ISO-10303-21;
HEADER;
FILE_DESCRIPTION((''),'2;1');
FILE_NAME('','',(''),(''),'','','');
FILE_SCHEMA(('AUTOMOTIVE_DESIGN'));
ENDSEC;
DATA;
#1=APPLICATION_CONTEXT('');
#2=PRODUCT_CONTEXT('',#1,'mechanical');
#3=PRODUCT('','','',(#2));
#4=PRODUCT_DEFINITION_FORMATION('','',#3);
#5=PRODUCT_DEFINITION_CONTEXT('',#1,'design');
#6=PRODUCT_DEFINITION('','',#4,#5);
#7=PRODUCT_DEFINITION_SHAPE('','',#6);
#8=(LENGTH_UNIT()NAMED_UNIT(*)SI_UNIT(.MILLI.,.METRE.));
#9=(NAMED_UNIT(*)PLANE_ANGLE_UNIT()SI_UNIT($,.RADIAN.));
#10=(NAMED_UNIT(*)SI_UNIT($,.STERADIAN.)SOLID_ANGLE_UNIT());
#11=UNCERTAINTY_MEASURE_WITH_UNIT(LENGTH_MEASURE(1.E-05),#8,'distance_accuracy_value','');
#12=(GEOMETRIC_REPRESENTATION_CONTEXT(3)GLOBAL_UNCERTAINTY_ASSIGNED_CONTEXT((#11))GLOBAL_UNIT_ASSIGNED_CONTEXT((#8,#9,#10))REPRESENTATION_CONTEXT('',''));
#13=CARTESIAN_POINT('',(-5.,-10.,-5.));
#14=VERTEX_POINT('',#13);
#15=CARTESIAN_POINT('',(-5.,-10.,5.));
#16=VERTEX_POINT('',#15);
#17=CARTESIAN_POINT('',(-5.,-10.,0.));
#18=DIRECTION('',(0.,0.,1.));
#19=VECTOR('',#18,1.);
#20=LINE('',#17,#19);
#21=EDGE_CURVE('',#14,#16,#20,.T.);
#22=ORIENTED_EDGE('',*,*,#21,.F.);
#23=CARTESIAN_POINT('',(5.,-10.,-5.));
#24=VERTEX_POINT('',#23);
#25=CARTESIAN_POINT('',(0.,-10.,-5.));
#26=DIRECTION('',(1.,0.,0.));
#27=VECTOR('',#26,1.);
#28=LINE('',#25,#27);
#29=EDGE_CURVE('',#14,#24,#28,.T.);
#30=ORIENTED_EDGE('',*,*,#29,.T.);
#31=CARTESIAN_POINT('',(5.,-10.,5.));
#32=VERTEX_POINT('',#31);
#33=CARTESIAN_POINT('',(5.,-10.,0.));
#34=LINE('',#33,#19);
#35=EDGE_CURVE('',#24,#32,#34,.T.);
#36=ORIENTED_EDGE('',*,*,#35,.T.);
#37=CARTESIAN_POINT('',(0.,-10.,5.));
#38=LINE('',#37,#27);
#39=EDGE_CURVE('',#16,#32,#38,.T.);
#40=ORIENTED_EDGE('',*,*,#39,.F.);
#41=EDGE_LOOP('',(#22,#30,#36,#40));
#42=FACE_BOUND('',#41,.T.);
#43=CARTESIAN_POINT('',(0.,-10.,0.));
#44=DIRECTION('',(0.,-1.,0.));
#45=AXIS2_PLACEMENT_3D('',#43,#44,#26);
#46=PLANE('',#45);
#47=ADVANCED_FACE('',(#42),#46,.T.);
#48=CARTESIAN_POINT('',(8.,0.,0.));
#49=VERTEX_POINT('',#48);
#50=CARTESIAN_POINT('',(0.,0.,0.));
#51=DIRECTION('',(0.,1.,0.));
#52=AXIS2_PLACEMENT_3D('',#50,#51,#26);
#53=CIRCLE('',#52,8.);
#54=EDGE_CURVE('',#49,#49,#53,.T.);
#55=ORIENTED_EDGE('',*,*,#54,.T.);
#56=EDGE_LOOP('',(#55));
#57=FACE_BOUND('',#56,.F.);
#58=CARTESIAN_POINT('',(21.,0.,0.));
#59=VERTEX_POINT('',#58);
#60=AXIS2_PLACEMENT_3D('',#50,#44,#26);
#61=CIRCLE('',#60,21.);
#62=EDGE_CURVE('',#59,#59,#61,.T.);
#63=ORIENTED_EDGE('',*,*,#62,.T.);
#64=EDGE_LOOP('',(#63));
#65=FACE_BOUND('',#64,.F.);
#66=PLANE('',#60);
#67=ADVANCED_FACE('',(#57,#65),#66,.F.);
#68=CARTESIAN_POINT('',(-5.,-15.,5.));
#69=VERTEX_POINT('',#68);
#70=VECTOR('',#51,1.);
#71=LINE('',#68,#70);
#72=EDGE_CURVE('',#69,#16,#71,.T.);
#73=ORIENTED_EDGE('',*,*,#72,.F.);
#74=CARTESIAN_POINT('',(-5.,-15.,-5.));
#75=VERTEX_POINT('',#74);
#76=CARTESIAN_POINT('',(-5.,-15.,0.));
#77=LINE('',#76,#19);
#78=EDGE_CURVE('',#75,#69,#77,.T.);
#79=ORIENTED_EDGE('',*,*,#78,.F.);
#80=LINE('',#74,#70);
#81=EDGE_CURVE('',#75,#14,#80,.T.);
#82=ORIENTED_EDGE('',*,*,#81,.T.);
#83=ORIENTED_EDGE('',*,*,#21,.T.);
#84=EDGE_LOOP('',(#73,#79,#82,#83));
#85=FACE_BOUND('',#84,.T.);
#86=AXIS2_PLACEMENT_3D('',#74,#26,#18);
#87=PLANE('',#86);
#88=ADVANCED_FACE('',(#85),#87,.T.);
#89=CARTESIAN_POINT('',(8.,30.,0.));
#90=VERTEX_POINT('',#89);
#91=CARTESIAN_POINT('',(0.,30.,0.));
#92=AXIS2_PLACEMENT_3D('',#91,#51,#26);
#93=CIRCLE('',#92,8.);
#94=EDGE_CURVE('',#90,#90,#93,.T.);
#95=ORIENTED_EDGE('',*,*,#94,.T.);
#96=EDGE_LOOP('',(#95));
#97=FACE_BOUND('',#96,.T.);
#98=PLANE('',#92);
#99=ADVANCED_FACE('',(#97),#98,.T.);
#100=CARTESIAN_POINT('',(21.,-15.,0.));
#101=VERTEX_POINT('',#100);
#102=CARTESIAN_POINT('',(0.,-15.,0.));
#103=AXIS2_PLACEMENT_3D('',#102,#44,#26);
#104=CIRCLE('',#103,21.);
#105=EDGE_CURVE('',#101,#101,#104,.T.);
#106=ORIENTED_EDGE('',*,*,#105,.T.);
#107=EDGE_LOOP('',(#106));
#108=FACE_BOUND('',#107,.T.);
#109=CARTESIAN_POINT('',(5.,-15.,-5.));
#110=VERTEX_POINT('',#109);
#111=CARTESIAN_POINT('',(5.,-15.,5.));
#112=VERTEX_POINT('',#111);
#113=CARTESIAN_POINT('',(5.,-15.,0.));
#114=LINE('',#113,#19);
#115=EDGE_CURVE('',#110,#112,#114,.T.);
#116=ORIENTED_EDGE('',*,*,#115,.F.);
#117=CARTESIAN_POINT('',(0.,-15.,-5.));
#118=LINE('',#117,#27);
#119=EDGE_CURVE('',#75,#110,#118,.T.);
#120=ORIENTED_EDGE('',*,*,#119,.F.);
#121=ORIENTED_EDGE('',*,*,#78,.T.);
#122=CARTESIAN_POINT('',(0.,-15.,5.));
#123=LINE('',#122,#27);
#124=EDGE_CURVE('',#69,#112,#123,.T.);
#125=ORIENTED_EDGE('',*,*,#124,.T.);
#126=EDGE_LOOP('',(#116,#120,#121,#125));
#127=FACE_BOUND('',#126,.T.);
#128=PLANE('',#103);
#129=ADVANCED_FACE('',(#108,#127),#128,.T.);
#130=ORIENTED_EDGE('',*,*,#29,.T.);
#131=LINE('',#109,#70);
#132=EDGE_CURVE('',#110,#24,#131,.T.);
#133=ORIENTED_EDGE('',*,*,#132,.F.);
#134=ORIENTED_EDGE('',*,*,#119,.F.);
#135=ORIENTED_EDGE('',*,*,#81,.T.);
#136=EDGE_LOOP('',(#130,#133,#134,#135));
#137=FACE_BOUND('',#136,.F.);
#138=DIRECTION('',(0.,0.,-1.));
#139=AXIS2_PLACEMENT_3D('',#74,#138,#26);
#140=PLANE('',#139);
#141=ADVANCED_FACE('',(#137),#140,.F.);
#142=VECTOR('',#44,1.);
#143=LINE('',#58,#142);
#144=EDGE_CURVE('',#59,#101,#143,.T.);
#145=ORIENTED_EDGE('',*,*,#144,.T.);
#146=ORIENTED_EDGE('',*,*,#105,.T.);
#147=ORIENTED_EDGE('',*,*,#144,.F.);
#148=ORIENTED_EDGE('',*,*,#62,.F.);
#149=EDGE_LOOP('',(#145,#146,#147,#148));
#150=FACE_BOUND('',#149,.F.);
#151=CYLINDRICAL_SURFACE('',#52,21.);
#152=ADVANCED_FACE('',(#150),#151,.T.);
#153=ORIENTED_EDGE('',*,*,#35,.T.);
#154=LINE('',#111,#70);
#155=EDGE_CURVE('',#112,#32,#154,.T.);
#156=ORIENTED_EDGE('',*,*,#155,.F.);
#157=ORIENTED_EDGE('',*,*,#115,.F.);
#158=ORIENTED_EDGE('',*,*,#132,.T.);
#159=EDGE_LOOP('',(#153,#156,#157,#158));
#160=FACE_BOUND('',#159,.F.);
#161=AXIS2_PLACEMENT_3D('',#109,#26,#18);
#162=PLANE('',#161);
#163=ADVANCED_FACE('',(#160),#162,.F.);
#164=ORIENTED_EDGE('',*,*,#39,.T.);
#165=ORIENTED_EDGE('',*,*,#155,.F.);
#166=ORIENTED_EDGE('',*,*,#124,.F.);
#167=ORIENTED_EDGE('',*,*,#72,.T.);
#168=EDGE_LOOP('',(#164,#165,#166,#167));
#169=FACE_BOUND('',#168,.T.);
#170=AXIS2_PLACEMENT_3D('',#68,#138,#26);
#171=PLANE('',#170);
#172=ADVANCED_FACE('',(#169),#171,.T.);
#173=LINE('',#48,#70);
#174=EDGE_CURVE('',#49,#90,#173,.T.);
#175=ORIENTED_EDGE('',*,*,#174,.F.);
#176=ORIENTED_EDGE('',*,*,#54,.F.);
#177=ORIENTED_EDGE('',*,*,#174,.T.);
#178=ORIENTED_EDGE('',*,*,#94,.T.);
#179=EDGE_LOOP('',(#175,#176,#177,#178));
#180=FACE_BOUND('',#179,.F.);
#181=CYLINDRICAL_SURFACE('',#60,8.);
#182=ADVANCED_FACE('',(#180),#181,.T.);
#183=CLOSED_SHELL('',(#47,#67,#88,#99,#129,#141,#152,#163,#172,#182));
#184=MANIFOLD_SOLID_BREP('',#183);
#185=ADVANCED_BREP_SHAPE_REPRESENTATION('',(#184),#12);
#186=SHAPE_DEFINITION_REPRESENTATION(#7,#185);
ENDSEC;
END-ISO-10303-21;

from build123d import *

# Parameters (mm, degrees)
SKETCH_R     = 21
PAD_DEPTH    = 15
SKETCH001_W  = 10
SKETCH001_H  = 10
POCKET_DEPTH = 5
SKETCH002_R  = 8
PAD001_DEPTH = 30


with BuildPart() as part:
    # Sketch → Pad (new body)
    with BuildSketch(Plane.XZ):
        Circle(SKETCH_R)
    extrude(amount=PAD_DEPTH)

    # Sketch001 → Pocket (cut)
    with BuildSketch(Plane.XZ.offset(15)):
        Rectangle(SKETCH001_W, SKETCH001_H)
    extrude(amount=-POCKET_DEPTH, mode=Mode.SUBTRACT)

    # Sketch002 → Pad001 (new body)
    with BuildSketch(Plane(origin=(0, 0, 0), x_dir=(1, 0, 0), z_dir=(0, 1, 0))):
        Circle(SKETCH002_R)
    extrude(amount=PAD001_DEPTH)


solid = part.part
